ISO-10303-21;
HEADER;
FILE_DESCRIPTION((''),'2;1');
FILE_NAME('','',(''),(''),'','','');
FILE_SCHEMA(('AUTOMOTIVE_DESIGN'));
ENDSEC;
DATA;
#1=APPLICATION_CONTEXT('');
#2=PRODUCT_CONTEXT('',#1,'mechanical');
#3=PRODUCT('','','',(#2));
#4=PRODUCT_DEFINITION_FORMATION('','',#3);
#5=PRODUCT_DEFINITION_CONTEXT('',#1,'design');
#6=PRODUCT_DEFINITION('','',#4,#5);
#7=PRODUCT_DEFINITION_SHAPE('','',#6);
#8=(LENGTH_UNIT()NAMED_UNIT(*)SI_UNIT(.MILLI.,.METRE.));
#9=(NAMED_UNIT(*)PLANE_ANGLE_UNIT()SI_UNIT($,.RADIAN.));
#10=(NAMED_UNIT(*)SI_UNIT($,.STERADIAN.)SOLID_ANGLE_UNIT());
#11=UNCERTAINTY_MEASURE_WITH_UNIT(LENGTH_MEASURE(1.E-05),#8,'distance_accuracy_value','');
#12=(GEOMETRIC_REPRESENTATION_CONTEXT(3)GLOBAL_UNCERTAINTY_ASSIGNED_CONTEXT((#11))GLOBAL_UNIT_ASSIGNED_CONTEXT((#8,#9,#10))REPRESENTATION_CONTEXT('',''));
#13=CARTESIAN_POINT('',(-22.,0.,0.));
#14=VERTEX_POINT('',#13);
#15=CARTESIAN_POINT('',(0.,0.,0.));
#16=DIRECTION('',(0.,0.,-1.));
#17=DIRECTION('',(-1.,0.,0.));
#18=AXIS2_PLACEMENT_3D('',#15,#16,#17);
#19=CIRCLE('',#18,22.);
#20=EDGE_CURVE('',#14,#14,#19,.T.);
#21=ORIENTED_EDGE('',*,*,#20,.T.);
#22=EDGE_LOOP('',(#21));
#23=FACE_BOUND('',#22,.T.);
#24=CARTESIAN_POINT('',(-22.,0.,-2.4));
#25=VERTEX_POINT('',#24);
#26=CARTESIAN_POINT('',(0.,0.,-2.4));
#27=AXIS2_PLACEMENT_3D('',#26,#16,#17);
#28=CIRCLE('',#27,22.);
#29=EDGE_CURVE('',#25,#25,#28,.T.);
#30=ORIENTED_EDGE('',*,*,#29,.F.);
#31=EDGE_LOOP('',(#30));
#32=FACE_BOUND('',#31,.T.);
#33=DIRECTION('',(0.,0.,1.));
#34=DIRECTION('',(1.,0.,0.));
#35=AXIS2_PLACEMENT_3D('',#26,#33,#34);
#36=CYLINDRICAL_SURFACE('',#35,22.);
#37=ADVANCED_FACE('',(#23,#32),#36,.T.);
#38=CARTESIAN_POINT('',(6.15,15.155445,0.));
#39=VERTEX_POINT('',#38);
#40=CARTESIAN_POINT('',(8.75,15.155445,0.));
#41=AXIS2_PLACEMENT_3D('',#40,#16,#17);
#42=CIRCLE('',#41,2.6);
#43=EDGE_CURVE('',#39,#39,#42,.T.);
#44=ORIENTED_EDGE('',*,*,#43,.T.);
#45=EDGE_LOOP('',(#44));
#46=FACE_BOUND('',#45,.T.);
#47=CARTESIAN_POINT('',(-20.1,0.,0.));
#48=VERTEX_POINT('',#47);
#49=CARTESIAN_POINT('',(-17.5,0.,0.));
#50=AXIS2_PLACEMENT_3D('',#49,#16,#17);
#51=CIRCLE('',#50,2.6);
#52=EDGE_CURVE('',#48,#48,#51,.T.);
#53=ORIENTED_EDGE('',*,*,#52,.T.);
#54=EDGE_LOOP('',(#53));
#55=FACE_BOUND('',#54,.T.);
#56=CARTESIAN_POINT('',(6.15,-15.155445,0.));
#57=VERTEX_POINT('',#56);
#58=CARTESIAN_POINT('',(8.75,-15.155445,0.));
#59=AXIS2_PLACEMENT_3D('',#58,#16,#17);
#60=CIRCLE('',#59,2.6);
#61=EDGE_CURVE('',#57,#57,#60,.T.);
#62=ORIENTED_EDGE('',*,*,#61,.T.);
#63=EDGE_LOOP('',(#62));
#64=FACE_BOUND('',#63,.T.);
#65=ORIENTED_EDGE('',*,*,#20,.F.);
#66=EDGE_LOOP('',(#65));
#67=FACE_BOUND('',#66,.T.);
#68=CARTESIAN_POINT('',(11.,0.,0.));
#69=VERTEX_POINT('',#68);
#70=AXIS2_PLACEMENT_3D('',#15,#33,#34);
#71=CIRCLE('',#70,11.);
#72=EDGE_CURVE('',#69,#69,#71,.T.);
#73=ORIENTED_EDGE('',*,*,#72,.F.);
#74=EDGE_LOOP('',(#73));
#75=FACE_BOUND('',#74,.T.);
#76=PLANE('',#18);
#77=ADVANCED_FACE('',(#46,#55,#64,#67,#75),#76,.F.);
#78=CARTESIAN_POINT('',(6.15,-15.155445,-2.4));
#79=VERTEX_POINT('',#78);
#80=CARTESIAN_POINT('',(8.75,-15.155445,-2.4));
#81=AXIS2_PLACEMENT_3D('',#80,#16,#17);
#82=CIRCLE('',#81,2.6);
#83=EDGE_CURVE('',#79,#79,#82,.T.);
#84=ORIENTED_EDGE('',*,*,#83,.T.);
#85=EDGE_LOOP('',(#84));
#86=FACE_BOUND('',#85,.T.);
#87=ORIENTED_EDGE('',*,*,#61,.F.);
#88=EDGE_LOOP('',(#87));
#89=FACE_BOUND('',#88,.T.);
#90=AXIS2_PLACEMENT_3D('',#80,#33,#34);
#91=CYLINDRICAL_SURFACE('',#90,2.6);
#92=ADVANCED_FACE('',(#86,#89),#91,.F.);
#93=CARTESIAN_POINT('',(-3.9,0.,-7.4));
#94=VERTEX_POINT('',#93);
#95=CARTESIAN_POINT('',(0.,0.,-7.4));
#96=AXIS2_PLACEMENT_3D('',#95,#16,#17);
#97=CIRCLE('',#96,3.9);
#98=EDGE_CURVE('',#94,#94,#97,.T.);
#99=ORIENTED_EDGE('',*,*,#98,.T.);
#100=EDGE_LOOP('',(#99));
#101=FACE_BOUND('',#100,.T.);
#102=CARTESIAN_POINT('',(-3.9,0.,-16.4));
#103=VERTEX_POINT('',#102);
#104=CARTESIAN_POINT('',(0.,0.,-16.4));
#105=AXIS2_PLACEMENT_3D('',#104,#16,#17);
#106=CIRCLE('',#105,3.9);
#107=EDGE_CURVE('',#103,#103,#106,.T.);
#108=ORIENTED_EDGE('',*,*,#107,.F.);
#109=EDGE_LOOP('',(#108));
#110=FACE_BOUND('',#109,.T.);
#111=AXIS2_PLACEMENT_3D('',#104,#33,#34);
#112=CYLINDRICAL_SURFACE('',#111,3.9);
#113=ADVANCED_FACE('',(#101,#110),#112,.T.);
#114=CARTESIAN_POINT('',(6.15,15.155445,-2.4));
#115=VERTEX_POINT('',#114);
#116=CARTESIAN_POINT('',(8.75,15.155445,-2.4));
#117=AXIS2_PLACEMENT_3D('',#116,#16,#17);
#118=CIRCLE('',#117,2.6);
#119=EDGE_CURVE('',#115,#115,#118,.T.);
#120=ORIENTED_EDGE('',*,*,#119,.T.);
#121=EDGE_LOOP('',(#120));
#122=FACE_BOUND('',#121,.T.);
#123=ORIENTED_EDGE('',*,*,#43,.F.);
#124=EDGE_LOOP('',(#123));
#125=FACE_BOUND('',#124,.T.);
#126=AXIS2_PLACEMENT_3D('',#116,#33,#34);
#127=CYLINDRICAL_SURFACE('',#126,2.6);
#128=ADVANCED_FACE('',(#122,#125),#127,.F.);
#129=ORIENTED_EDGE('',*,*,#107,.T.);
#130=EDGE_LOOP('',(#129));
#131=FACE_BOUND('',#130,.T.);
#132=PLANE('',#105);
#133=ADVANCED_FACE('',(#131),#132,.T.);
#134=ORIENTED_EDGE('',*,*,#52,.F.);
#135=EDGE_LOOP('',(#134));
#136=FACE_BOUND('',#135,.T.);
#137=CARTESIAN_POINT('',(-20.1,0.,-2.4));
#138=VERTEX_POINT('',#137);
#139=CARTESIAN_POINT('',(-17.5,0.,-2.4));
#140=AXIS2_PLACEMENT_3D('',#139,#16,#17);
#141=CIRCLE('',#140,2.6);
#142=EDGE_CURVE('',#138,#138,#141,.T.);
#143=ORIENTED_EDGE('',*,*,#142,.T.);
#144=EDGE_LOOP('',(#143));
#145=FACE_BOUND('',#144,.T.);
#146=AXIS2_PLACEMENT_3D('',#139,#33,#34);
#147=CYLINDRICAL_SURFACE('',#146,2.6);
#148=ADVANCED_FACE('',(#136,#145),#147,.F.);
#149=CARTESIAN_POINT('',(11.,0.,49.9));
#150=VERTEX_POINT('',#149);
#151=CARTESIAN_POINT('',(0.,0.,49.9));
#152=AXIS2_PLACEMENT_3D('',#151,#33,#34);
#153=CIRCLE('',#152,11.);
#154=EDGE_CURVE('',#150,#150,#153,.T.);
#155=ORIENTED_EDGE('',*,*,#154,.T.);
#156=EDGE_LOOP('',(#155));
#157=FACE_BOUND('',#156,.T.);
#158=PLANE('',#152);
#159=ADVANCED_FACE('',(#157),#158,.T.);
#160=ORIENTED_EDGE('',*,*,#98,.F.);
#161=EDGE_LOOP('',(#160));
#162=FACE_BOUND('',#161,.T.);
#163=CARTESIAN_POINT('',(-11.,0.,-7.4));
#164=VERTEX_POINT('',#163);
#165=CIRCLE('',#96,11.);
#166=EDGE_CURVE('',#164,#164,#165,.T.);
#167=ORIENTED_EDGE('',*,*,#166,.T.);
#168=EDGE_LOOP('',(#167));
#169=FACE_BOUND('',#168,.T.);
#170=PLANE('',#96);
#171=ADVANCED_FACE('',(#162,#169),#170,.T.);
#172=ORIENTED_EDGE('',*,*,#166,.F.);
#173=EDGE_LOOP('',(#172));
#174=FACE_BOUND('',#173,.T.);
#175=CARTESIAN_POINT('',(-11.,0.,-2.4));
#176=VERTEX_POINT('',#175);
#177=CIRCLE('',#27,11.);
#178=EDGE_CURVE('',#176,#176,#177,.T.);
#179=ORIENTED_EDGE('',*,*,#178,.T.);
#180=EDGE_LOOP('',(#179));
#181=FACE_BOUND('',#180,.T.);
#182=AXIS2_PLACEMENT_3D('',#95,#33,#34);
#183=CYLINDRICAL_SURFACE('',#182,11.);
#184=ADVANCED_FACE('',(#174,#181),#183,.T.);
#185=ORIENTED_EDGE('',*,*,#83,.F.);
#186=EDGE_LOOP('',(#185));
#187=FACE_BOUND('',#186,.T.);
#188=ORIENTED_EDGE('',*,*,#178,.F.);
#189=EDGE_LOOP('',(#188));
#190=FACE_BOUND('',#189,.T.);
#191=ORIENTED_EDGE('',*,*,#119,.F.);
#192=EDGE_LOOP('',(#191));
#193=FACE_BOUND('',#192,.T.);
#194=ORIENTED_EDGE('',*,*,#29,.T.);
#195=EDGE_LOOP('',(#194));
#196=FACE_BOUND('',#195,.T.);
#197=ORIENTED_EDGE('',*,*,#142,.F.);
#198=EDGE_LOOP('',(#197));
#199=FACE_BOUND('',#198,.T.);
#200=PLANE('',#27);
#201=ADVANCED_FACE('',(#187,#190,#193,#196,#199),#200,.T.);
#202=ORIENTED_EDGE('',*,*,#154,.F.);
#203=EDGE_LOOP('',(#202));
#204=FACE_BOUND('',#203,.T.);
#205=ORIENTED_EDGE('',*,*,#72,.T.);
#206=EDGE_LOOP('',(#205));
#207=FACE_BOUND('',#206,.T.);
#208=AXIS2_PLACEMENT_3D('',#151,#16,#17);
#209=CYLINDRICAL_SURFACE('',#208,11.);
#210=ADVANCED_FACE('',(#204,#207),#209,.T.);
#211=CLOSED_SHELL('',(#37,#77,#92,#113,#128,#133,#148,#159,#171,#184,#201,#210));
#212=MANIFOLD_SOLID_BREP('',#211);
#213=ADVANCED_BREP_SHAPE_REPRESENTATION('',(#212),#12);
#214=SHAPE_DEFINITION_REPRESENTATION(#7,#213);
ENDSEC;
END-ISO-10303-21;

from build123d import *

# Parameters (mm, degrees)
ESQUISSE1_R        = 11
BOSS_EXTRU_1_DEPTH = 49.9
ESQUISSE2_R        = 22
ESQUISSE2_R_2      = 2.6
BOSS_EXTRU_2_DEPTH = 2.4
BOSS_EXTRU_3_START = 5
ESQUISSE3_R        = 11
BOSS_EXTRU_3_DEPTH = 5
ESQUISSE4_R        = 3.9
BOSS_EXTRU_4_DEPTH = 9


with BuildPart() as part:
    # Esquisse1 → Boss.-Extru.1 (new body)
    with BuildSketch(Plane.XY):
        Circle(ESQUISSE1_R)
    extrude(amount=BOSS_EXTRU_1_DEPTH)

    # Esquisse2 → Boss.-Extru.2 (add)
    with BuildSketch(Plane(origin=(0, 0, 0), x_dir=(-1, 0, 0), z_dir=(0, 0, -1))):
        Circle(ESQUISSE2_R)
        with Locations((17.5, 0)):
            Circle(ESQUISSE2_R_2, mode=Mode.SUBTRACT)
        with Locations((-8.75, -15.155444566)):
            Circle(ESQUISSE2_R_2, mode=Mode.SUBTRACT)
        with Locations((-8.75, 15.155444566)):
            Circle(ESQUISSE2_R_2, mode=Mode.SUBTRACT)
    extrude(amount=BOSS_EXTRU_2_DEPTH)

    # Esquisse3 → Boss.-Extru.3 (add)
    with BuildSketch(Plane(origin=(0, 0, -2.4), x_dir=(-1, 0, 0), z_dir=(0, 0, -1)).offset(BOSS_EXTRU_3_START)):
        with Locations(Location((0, 0, 0), (0, 0, 180))):
            Circle(ESQUISSE3_R)
    extrude(amount=-BOSS_EXTRU_3_DEPTH)

    # Esquisse4 → Boss.-Extru.4 (add)
    with BuildSketch(Plane(origin=(0, 0, -7.4), x_dir=(-1, 0, 0), z_dir=(0, 0, -1))):
        Circle(ESQUISSE4_R)
    extrude(amount=BOSS_EXTRU_4_DEPTH)


solid = part.part
